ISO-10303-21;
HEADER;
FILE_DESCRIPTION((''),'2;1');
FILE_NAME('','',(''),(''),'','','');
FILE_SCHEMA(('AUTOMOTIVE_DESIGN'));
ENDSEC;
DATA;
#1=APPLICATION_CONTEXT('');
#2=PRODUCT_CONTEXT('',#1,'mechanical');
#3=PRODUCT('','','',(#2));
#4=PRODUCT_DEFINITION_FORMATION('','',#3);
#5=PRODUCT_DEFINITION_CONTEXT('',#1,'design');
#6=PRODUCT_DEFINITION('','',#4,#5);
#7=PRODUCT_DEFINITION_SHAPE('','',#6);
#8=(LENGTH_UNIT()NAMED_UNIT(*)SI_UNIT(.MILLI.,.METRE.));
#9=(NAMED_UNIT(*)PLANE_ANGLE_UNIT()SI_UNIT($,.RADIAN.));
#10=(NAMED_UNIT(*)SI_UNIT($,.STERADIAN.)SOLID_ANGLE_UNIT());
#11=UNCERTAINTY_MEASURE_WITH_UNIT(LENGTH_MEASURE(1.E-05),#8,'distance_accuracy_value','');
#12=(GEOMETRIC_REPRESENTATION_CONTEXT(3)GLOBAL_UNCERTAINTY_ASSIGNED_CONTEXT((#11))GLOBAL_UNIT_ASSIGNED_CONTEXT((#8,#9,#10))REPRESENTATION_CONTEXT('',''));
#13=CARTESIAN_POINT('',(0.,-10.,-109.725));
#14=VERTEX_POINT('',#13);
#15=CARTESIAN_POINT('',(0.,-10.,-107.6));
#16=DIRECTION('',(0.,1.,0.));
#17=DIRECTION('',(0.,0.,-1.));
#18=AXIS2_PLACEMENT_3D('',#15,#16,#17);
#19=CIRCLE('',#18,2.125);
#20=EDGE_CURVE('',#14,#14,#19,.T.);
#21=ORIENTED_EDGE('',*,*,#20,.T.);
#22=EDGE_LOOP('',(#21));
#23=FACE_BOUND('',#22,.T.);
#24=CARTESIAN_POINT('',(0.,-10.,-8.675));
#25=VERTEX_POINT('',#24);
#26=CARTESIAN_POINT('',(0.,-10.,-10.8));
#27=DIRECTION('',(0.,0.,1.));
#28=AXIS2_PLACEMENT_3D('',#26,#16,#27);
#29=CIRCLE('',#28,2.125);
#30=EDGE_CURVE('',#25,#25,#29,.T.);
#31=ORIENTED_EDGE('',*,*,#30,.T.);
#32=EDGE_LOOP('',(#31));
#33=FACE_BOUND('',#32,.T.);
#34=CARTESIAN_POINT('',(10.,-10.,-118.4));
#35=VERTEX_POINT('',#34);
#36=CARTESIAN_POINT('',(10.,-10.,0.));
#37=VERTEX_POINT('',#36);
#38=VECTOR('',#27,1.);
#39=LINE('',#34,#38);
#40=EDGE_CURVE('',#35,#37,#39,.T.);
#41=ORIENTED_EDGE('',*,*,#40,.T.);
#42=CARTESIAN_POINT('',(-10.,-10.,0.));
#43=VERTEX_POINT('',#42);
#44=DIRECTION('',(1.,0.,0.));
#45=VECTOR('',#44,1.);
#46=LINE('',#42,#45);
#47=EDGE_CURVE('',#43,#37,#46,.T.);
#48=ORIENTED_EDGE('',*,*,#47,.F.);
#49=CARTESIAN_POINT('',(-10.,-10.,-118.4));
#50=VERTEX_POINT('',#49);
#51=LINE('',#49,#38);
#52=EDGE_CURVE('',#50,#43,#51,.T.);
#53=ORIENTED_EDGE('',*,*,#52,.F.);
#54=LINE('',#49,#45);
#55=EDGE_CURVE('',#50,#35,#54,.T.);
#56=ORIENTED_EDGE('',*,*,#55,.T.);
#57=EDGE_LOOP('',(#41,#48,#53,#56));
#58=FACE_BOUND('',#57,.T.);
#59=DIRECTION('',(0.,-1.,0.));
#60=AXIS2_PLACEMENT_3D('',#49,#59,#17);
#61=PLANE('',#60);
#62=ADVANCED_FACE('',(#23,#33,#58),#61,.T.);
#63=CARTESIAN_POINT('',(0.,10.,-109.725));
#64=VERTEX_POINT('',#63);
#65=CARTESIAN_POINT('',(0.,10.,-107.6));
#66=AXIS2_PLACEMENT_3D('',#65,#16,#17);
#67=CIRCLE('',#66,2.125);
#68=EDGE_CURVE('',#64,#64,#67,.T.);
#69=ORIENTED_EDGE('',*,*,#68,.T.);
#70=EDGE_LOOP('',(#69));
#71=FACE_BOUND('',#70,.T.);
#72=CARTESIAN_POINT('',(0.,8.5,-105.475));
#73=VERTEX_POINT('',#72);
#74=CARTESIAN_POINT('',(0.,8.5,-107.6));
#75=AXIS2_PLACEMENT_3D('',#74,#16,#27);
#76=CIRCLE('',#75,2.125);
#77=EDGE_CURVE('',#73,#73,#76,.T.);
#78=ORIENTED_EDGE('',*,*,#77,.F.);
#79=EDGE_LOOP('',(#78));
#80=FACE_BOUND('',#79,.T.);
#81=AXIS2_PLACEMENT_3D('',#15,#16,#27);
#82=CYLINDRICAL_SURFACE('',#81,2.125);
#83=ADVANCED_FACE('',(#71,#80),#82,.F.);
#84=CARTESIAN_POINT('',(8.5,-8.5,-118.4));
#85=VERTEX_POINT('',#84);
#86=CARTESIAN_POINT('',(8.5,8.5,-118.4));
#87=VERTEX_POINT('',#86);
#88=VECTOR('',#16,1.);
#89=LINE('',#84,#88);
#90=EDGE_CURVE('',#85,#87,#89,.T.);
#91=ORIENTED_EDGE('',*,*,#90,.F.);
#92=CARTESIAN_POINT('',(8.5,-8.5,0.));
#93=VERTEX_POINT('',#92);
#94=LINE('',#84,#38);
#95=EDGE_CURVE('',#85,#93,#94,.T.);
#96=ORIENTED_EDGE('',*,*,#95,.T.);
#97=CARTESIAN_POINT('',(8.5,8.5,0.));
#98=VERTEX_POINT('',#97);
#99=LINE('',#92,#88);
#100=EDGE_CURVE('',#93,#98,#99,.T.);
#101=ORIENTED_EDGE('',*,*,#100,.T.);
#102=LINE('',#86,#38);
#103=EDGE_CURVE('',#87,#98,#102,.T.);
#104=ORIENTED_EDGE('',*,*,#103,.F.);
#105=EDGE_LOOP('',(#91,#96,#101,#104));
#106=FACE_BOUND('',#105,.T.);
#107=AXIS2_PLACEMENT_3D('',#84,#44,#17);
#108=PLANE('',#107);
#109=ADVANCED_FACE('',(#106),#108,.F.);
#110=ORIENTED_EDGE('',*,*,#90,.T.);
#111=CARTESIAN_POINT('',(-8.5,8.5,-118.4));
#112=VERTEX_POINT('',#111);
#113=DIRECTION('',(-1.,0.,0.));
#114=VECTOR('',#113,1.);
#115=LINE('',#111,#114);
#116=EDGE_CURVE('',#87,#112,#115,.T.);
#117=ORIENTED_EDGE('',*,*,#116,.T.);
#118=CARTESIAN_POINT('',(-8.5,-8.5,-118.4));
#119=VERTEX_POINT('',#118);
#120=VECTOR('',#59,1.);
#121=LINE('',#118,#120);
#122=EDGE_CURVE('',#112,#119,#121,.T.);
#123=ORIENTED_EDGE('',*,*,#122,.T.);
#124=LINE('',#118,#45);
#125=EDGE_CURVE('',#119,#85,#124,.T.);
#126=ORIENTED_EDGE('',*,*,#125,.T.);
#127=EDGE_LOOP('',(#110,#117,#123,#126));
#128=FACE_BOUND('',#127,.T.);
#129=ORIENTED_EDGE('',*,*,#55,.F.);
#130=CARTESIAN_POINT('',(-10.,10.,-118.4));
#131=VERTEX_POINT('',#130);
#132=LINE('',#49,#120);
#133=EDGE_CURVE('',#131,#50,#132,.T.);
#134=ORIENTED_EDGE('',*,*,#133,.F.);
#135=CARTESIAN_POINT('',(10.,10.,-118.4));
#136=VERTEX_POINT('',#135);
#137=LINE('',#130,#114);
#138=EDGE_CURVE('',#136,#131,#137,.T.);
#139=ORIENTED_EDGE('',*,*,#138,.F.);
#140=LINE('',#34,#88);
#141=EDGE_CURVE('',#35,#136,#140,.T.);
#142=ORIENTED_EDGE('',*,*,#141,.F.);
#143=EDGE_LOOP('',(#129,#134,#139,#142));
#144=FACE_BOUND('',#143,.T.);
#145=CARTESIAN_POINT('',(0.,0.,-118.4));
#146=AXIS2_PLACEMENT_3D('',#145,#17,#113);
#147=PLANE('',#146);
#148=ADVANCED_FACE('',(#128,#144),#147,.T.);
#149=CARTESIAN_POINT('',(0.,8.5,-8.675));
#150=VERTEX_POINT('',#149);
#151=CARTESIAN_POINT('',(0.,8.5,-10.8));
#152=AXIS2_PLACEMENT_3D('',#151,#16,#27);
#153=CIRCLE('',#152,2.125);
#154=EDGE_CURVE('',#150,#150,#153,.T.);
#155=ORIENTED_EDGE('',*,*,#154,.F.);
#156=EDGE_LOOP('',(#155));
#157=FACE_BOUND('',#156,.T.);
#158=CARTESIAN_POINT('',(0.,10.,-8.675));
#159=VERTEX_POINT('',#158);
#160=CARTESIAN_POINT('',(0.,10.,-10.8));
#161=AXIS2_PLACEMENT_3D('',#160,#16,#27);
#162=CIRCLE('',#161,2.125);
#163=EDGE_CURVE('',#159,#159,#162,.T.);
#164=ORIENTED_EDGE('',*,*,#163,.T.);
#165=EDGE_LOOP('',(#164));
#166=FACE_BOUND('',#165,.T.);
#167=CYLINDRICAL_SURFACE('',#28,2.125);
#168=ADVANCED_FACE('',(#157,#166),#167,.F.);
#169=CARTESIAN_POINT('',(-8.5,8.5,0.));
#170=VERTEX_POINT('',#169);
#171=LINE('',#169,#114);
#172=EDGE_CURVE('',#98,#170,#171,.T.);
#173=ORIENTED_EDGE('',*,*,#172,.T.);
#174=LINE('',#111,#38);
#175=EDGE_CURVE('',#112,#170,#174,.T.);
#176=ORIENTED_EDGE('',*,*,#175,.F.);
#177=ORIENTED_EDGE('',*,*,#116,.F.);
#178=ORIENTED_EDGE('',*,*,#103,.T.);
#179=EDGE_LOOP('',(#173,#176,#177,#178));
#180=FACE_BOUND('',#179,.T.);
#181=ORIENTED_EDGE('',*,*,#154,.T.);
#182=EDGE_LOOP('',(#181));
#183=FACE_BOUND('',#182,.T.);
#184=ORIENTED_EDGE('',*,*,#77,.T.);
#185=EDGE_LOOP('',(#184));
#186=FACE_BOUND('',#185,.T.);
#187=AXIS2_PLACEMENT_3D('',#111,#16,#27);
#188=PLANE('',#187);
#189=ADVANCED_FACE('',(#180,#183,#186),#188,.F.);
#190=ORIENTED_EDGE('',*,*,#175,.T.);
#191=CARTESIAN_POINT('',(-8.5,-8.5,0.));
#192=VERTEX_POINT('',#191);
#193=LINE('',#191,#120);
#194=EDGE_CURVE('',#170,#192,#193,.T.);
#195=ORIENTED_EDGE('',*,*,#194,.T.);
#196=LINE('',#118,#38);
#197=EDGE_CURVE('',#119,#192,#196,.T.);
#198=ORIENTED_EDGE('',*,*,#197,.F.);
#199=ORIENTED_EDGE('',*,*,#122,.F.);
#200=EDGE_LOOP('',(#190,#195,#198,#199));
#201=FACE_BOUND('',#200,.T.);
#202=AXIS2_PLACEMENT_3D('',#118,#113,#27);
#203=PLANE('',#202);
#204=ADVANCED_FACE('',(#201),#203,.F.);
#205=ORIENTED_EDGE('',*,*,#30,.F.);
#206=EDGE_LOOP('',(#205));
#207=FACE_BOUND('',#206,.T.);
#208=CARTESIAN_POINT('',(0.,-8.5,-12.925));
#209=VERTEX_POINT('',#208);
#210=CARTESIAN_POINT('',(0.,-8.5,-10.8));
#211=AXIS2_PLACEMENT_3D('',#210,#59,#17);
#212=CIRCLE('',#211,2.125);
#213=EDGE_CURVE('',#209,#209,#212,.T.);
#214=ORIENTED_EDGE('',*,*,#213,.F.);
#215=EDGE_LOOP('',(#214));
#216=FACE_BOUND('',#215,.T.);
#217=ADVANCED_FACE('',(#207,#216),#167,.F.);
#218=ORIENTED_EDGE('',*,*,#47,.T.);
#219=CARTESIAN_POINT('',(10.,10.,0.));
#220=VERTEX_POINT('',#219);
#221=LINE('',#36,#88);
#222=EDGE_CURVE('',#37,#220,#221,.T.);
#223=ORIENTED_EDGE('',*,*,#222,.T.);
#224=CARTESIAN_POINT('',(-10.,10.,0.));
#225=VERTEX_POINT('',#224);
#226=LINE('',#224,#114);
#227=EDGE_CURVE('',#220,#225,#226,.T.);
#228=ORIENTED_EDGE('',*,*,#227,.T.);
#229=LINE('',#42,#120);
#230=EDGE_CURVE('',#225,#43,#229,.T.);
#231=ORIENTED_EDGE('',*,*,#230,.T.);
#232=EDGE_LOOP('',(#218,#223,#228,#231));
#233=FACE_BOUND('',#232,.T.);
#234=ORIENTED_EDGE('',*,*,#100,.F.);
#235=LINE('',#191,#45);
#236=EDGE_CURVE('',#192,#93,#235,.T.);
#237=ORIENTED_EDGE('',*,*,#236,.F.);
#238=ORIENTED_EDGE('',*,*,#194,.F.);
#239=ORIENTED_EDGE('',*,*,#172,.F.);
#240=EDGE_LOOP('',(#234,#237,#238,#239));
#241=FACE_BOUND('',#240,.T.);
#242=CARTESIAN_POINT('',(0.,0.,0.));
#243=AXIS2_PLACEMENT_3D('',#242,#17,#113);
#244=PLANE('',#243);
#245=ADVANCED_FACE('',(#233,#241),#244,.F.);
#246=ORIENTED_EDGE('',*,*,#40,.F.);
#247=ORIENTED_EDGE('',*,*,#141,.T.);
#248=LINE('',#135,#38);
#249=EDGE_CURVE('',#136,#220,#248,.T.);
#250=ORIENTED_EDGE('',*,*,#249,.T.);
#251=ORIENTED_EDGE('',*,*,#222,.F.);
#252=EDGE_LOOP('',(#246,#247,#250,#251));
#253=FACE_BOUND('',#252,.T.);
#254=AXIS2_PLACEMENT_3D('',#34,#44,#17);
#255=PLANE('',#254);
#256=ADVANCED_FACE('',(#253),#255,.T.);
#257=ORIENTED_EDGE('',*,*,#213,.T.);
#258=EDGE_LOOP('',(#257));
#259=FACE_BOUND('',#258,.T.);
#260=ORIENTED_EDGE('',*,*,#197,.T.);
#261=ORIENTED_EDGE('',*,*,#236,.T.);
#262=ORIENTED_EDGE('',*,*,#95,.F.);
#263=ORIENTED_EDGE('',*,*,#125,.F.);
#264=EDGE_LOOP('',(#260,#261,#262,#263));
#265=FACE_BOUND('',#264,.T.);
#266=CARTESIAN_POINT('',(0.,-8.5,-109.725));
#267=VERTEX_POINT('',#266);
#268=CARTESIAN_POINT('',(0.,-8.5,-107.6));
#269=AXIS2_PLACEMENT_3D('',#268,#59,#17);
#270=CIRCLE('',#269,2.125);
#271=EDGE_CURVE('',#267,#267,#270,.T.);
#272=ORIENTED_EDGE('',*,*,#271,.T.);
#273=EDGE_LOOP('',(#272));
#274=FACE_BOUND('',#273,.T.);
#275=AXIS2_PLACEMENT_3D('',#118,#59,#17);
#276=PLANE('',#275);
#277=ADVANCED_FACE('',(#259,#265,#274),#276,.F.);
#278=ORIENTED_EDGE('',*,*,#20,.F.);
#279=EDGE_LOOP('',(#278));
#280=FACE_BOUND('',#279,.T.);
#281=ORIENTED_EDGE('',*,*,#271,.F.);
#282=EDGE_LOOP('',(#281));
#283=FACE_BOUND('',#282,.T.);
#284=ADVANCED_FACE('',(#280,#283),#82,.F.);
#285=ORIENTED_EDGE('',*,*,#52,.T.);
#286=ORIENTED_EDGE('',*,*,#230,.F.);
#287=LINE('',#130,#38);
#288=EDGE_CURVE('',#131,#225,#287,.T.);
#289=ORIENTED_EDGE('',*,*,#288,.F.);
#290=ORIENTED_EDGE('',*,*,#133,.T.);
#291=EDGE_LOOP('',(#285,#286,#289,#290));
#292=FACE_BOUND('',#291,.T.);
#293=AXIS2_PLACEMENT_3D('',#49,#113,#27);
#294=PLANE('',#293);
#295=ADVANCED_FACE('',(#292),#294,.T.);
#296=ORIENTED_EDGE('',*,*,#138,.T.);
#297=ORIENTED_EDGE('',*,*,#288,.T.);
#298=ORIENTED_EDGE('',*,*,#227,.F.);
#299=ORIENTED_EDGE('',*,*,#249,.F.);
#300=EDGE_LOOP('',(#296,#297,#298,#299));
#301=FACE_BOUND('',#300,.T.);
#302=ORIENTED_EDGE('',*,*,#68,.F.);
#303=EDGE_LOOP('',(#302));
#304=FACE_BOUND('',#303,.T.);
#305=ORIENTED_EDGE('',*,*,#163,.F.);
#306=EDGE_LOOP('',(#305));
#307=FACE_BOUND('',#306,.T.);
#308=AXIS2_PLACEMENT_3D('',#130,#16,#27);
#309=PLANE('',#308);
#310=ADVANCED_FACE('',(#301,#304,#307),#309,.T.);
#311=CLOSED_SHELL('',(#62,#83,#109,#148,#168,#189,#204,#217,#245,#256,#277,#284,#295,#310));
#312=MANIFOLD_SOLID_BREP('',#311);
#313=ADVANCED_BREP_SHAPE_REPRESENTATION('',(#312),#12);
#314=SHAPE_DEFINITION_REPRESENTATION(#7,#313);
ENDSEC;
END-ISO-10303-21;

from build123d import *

# Parameters (mm, degrees)
SKETCH1_W           = 20
SKETCH1_H           = 20
SKETCH1_W_2         = 17
SKETCH1_H_2         = 17
BOSS_EXTRUDE1_DEPTH = 118.4
SKETCH2_R           = 2.125
CUT_EXTRUDE1_DEPTH  = 121.492987348


with BuildPart() as part:
    # Sketch1 → Boss-Extrude1 (new body)
    with BuildSketch(Plane.XY):
        Rectangle(SKETCH1_W, SKETCH1_H)
        Rectangle(SKETCH1_W_2, SKETCH1_H_2, mode=Mode.SUBTRACT)
    extrude(amount=-BOSS_EXTRUDE1_DEPTH)

    # Sketch2 → Cut-Extrude1 (cut, through all)
    with BuildSketch(Plane(origin=(0, 10, 0), x_dir=(1, 0, 0), z_dir=(0, 1, 0))):
        with Locations(Location((0, 10.8, 0), (0, 0, 270))):
            Circle(SKETCH2_R)
        with Locations(Location((0, 107.6, 0), (0, 0, 90))):
            Circle(SKETCH2_R)
    extrude(amount=-CUT_EXTRUDE1_DEPTH, mode=Mode.SUBTRACT)


solid = part.part
